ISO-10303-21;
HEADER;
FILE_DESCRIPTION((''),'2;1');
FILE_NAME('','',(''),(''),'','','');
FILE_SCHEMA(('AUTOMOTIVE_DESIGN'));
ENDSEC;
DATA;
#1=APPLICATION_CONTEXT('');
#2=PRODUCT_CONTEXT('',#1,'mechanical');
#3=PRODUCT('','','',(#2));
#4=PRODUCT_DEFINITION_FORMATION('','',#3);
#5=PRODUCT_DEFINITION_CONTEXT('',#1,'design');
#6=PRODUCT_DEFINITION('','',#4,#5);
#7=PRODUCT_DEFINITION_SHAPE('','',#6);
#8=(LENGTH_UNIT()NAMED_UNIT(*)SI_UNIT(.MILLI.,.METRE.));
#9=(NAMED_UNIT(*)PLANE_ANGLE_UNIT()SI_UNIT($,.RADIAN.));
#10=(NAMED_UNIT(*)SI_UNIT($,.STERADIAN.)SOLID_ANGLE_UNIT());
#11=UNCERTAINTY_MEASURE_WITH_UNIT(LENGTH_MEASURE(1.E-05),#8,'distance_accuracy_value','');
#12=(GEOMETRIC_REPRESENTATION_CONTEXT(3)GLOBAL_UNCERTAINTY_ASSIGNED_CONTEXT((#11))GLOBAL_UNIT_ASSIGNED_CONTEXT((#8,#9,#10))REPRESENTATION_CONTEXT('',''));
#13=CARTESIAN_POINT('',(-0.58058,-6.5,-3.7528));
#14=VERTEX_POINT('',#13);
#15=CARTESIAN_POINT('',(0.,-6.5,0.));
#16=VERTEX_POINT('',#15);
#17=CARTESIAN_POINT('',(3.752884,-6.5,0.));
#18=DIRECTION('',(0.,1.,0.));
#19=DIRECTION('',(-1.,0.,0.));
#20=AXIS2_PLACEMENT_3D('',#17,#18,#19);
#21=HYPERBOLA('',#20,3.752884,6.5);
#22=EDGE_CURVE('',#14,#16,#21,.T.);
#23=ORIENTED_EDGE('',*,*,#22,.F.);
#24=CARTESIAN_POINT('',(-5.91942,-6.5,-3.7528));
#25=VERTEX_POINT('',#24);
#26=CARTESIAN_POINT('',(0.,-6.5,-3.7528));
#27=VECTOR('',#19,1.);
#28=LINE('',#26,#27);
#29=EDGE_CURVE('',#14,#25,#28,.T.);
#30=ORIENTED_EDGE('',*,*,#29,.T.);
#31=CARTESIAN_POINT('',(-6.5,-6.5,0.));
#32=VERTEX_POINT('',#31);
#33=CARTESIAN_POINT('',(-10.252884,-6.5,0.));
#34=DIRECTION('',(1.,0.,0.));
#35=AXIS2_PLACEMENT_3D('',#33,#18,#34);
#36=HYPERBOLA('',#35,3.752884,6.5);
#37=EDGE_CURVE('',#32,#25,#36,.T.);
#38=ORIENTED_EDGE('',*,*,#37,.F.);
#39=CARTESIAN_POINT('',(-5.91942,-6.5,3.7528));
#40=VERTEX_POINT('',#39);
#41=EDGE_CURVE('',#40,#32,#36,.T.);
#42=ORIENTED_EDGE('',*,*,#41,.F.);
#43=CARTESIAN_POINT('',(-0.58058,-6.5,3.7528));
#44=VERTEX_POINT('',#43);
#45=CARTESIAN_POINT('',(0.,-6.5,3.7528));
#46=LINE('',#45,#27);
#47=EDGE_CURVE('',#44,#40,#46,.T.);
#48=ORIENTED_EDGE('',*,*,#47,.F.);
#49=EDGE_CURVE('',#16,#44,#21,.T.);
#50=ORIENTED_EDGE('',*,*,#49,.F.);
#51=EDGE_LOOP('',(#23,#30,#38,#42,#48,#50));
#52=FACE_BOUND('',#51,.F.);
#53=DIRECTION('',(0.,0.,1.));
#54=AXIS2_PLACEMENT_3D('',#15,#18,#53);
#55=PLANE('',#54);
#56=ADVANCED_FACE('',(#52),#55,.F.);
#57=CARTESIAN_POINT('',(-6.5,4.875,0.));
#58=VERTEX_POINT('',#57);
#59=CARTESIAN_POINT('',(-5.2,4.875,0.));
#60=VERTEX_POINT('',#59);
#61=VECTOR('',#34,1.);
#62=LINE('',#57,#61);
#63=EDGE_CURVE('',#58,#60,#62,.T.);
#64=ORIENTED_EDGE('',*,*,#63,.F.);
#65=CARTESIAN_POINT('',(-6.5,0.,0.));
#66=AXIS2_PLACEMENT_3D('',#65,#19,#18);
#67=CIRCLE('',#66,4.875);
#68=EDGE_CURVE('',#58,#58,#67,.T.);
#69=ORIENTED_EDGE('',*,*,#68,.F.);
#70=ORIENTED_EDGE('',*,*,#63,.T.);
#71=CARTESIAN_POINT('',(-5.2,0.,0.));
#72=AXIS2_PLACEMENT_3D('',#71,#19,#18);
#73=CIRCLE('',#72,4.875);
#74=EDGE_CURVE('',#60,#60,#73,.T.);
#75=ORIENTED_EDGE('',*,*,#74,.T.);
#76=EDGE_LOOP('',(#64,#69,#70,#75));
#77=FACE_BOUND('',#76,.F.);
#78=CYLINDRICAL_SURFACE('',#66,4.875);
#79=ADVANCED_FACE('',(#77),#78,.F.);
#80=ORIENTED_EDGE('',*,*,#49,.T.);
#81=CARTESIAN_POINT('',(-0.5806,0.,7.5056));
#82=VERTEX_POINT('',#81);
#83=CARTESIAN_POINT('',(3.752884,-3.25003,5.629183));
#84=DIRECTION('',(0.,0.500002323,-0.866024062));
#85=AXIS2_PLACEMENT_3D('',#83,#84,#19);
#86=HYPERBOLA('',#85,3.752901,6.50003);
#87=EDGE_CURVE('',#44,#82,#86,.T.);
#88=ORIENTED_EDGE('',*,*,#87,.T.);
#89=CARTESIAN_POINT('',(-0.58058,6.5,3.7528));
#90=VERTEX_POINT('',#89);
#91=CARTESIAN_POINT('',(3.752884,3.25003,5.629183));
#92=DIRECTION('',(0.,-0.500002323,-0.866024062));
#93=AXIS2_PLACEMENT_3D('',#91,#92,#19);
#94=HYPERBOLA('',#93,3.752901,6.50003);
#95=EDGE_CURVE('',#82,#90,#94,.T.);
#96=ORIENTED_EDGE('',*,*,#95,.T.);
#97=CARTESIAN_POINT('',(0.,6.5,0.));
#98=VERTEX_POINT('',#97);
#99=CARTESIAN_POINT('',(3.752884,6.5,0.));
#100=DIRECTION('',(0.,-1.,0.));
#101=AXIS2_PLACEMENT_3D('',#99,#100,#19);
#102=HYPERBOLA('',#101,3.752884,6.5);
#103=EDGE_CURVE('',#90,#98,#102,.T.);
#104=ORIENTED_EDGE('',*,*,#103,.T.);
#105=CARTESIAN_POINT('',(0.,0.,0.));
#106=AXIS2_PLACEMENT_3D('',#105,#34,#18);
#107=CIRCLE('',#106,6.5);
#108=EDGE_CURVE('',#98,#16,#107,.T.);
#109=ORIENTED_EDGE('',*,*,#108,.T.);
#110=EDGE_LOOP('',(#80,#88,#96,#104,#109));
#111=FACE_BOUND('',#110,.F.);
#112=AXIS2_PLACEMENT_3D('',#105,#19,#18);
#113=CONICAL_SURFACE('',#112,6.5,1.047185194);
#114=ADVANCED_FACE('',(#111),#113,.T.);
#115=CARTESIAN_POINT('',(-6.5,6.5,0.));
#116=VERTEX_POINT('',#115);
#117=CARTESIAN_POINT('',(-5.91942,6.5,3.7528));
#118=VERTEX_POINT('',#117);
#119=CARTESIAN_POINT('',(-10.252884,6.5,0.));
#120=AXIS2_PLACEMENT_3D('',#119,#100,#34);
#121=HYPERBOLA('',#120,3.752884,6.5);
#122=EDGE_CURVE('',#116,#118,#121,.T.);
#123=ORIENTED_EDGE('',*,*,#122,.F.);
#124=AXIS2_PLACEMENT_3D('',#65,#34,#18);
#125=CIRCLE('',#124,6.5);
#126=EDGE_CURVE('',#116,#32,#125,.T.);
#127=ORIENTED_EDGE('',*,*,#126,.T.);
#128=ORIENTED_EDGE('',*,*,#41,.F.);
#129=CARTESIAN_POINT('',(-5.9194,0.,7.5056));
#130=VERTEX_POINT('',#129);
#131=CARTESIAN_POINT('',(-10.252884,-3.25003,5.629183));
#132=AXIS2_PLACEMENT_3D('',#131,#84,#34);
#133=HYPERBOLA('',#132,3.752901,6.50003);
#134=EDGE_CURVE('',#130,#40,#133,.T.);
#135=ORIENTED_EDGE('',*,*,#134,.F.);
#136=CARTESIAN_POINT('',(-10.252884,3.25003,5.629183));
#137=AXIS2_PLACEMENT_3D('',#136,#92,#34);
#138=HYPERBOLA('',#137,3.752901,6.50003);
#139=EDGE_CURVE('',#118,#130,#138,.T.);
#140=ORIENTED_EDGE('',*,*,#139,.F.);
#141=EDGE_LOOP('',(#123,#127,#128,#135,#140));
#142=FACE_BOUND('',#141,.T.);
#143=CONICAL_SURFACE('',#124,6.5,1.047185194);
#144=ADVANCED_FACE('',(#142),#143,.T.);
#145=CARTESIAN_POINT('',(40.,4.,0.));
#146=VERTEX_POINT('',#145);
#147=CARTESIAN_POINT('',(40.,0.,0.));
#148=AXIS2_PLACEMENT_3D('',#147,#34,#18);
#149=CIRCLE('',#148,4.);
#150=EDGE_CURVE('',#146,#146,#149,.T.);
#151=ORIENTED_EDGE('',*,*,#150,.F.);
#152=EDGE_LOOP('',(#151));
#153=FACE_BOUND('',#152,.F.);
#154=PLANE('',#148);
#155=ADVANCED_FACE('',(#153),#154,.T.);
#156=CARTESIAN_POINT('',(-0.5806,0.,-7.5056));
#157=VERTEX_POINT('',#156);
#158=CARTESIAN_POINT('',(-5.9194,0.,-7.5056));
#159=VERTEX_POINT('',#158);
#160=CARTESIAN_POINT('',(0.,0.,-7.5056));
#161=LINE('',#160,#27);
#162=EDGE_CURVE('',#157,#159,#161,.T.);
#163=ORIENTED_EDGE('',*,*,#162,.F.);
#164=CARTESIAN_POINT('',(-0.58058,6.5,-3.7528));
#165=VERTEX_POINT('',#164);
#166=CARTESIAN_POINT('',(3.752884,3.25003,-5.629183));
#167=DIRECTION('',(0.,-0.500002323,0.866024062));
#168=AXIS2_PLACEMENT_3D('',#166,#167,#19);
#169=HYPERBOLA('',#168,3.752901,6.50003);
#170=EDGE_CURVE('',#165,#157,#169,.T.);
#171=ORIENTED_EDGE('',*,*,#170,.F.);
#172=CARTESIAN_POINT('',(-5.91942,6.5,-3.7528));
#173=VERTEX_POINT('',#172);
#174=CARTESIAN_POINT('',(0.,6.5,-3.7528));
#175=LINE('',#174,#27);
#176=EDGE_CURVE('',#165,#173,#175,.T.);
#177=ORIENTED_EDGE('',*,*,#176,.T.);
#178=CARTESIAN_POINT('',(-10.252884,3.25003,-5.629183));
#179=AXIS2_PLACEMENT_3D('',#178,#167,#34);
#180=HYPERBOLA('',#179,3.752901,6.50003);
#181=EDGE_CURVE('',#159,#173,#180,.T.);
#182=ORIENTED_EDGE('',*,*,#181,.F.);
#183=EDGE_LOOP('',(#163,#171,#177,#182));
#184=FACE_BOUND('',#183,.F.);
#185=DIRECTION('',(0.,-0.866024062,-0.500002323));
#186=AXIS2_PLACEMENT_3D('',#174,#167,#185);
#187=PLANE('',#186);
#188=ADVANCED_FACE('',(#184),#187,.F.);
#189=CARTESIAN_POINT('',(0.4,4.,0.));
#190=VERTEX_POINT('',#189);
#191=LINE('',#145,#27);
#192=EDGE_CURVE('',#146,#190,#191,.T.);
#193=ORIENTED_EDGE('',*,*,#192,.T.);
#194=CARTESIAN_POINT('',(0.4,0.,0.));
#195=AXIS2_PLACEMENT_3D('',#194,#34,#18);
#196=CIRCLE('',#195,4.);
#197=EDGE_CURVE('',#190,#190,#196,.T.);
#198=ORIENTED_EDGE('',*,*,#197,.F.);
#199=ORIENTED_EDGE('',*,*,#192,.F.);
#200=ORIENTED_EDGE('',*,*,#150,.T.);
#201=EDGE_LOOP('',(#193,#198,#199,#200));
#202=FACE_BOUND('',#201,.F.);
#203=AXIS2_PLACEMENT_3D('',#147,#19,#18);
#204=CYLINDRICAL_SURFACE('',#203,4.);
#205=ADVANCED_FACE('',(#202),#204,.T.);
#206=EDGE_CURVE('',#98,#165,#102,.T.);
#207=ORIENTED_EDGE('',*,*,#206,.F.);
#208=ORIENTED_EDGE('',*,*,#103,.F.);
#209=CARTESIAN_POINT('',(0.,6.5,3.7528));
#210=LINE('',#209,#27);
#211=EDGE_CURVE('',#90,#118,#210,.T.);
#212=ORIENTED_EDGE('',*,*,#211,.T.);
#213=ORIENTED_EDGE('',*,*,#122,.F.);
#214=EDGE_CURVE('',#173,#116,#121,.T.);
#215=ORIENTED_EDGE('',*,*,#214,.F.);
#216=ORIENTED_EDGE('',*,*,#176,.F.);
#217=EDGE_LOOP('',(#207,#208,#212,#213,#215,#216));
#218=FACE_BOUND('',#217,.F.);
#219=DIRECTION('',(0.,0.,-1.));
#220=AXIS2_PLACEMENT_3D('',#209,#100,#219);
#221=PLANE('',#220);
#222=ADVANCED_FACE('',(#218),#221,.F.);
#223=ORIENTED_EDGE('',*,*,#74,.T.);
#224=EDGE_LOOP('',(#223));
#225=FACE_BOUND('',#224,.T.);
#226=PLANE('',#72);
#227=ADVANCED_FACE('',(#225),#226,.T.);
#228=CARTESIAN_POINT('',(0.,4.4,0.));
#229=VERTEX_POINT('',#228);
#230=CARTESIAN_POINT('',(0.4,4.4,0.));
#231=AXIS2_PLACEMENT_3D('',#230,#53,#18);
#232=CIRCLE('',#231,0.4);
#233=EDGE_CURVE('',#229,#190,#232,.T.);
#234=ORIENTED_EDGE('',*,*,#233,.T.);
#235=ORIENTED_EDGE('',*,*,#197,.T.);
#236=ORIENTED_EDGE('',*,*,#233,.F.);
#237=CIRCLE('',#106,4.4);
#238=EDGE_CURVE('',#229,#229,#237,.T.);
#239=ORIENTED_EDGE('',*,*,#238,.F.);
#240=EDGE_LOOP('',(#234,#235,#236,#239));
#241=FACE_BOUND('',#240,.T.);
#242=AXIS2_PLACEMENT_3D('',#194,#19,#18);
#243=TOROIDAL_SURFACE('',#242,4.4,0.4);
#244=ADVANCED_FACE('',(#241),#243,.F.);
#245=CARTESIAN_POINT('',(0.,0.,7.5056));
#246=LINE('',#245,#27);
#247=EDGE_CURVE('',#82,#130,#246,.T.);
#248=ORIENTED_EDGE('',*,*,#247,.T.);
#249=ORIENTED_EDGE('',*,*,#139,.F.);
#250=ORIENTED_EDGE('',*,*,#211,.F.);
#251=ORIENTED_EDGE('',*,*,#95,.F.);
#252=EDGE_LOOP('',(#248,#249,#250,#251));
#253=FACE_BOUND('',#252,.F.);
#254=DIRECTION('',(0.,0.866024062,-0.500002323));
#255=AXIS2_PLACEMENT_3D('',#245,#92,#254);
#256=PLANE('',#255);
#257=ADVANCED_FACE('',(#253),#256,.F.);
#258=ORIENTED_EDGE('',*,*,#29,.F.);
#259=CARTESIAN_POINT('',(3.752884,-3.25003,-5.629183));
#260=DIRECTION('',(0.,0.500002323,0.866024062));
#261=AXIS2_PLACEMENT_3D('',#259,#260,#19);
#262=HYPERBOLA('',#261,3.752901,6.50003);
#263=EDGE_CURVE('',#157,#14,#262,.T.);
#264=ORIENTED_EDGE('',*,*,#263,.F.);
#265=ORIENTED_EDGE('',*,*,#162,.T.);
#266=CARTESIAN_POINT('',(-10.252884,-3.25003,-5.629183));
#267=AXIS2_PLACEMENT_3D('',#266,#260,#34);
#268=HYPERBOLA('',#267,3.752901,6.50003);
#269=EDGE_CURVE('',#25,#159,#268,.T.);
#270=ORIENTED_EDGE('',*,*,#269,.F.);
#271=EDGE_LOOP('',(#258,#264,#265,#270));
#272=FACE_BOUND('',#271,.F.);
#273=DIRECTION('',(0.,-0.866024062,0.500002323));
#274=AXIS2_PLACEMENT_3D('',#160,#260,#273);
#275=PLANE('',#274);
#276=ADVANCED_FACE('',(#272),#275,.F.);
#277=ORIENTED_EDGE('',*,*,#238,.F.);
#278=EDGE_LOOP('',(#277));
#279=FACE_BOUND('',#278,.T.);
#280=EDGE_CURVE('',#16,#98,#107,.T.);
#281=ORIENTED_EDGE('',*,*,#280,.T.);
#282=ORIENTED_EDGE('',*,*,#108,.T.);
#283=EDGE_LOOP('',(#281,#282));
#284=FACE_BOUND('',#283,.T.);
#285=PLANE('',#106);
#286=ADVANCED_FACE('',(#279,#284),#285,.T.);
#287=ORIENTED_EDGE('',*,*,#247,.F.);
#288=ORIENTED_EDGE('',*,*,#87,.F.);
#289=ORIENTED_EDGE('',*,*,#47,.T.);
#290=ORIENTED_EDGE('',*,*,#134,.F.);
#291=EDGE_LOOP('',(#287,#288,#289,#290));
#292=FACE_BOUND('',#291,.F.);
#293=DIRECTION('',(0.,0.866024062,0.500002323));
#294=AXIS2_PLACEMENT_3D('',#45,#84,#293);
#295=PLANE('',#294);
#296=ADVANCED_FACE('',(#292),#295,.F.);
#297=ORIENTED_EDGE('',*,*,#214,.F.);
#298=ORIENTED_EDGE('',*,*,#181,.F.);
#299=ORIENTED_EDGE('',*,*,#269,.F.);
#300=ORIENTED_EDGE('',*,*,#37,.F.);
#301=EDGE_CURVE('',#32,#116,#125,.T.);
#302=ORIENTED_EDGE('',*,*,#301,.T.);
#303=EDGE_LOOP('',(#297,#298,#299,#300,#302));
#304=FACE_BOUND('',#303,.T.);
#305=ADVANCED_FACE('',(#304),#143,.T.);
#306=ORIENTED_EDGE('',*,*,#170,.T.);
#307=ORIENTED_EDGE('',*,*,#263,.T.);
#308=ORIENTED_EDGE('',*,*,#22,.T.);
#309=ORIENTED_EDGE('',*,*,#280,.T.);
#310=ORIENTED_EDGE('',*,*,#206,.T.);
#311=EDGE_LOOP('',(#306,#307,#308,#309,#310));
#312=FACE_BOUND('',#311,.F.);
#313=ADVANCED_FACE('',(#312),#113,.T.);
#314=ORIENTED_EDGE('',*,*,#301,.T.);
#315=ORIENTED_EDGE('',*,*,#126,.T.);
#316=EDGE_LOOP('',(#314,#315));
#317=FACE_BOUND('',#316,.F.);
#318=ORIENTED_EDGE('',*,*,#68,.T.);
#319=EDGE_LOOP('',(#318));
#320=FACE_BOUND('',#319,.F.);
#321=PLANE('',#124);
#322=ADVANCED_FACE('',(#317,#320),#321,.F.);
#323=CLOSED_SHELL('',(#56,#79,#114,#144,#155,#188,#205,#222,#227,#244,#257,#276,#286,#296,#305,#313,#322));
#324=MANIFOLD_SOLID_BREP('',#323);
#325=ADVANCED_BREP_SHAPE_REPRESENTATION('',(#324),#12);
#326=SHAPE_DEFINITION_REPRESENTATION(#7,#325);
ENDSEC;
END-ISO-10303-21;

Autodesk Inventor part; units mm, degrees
ref_plane "YZ Plane" through (0, 0, 0) normal (1, 0, 0) x (0, 1, 0)
ref_plane "XZ Plane" through (0, 0, 0) normal (0, 1, 0) x (-1, 0, 0)
sketch "Sketch1" plane through (0, 0, 0) normal (0, 0, 1) x (1, 0, 0)
  line L0 (0, 4) -> (0, 0)
  line L1 (0, 0) -> (40, 0)
  line L2 (40, 0) -> (40, 4)
  line L3 (40, 4) -> (0, 4)
  line L4 (-8, 0) -> (48, 0) projected
  line L5 (0, -0.8) -> (0, 4.8) projected
  dimension "d0" = 8
  dimension "d1" = 40
revolve "Body" add sketch "Sketch1" angle 360 about axis through (0, 0, 0) along (1, 0, 0)
sketch "Sketch2" plane through (0, 0, 0) normal (1, 0, 0) x (0, 1, 0)
  line L0 (0, 7.5056) -> (6.5, 3.7528)
  line L1 (6.5, 3.7528) -> (6.5, -3.7528)
  line L2 (6.5, -3.7528) -> (0, -7.5056)
  line L3 (0, -7.5056) -> (-6.5, -3.7528)
  line L4 (-6.5, -3.7528) -> (-6.5, 3.7528)
  line L5 (-6.5, 3.7528) -> (0, 7.5056)
  line L6 (-9.1, 0) -> (9.1, 0) projected
  line L7 (0, -10.5078) -> (0, 10.5078) projected
  point P0 (0, 0)
  point P1 (0, 0)
  dimension "d2" = 13
extrude "Head" add sketch "Sketch2" against normal blind 6.5
sketch "Sketch3" plane through (-6.5, 0, 0) normal (-1, 0, 0) x (0, 1, 0)
  circle A0 centre (0, 0) radius 4.875
  point P0 (0, 0)
  dimension "d12" = 9.75
extrude "Indent1" cut sketch "Sketch3" against normal blind 1.3
sketch "Sketch4" plane through (0, 0, 0) normal (0, 0, 1) x (1, 0, 0)
  line L0 (-6.5, 7.5056) -> (-6.5, 6.5)
  line L1 (-6.5, 6.5) -> (-5.9194, 7.5056)
  line L2 (-5.9194, 7.5056) -> (-6.5, 7.5056)
  line L3 (0, 7.5056) -> (0, 6.5)
  line L4 (0, 6.5) -> (-0.5806, 7.5056)
  line L5 (-0.5806, 7.5056) -> (0, 7.5056)
  line L6 (0, 0) -> (-6.5, 0) projected
  line L7 (-6.5, 0) -> (-6.5, 6.5) projected
  line L8 (0, 0) -> (0, 6.5) projected
  line L9 (-7.8, 0) -> (1.3, 0) projected
  line L10 (-5.9194, 7.5056) -> (-0.5806, 7.5056) construction
  line L11 (0, -1.5011) -> (0, 9.0067) projected
  dimension "d6" = 30
  dimension "d7" = 30
  dimension "d16" = 13
  dimension "d17" = 13
  dimension "d18" = 15.0111
revolve "Chamfer1" cut sketch "Sketch4" angle 360 about axis through (-10, 0, 0) along (1, 0, 0)
fillet "Fillet1" radius 0.4 1 edges at (0, -4, 0)
thread "Thread" size "M8x1.25" class "6g" standard "ISO Metric profile" length 37.5
ref_plane "Work Plane1" through (3, 0, 0) normal (0, 0.5, 0.866) x (1, 0, 0)
equation "\"d0\" = GD"
equation "\"d1\" = NLG"
equation "\"d2\" = SW"
equation "\"d3\" = KOH"
equation "\"d12\" = 0.75 * SW0"
equation "\"d14\" = 0.2 * KOH"
equation "\"d6\" = ANG1"
equation "\"d7\" = ANG1"
equation "\"d16\" = SW0"
equation "\"d17\" = SW0"
equation "\"d18\" = 1.1547 * SW"
equation "\"d11\" = RR"
equation "\"d8\" = GEL"
equation "\"NLG\" = 40"
equation "\"KOH\" = 6.5"
equation "\"GD\" = NND"
equation "\"GEL\" = 37.5"
equation "\"SW\" = 13"
equation "\"SW0\" = SW"
equation "\"ANG1\" = 30deg"
equation "\"RR\" = 0.4"
equation "\"GUL\" = 0.61345 * PTC"
equation "\"SPD\" = NND - 1.2269 * PTC"
equation "\"GD1\" = THREADDIA - 1.2269 * PTC"
equation "\"THREADDIA\" = 8"
equation "\"SDH\" = 9.2"
equation "\"TOA\" = 30deg"
equation "\"BDM\" = NND"
equation "\"FAWI\" = 45deg"
equation "\"PTC\" = 1.25"
equation "\"NND\" = 8"
equation "\"GAL\" = 0.61345 * PTC"
equation "\"SD\" = 0"
equation "\"SD2\" = SDH"
equation "\"E0\" = 1.155 * SW"
properties part number "AS 1427 - M8 x 40" material "Steel, Mild"
